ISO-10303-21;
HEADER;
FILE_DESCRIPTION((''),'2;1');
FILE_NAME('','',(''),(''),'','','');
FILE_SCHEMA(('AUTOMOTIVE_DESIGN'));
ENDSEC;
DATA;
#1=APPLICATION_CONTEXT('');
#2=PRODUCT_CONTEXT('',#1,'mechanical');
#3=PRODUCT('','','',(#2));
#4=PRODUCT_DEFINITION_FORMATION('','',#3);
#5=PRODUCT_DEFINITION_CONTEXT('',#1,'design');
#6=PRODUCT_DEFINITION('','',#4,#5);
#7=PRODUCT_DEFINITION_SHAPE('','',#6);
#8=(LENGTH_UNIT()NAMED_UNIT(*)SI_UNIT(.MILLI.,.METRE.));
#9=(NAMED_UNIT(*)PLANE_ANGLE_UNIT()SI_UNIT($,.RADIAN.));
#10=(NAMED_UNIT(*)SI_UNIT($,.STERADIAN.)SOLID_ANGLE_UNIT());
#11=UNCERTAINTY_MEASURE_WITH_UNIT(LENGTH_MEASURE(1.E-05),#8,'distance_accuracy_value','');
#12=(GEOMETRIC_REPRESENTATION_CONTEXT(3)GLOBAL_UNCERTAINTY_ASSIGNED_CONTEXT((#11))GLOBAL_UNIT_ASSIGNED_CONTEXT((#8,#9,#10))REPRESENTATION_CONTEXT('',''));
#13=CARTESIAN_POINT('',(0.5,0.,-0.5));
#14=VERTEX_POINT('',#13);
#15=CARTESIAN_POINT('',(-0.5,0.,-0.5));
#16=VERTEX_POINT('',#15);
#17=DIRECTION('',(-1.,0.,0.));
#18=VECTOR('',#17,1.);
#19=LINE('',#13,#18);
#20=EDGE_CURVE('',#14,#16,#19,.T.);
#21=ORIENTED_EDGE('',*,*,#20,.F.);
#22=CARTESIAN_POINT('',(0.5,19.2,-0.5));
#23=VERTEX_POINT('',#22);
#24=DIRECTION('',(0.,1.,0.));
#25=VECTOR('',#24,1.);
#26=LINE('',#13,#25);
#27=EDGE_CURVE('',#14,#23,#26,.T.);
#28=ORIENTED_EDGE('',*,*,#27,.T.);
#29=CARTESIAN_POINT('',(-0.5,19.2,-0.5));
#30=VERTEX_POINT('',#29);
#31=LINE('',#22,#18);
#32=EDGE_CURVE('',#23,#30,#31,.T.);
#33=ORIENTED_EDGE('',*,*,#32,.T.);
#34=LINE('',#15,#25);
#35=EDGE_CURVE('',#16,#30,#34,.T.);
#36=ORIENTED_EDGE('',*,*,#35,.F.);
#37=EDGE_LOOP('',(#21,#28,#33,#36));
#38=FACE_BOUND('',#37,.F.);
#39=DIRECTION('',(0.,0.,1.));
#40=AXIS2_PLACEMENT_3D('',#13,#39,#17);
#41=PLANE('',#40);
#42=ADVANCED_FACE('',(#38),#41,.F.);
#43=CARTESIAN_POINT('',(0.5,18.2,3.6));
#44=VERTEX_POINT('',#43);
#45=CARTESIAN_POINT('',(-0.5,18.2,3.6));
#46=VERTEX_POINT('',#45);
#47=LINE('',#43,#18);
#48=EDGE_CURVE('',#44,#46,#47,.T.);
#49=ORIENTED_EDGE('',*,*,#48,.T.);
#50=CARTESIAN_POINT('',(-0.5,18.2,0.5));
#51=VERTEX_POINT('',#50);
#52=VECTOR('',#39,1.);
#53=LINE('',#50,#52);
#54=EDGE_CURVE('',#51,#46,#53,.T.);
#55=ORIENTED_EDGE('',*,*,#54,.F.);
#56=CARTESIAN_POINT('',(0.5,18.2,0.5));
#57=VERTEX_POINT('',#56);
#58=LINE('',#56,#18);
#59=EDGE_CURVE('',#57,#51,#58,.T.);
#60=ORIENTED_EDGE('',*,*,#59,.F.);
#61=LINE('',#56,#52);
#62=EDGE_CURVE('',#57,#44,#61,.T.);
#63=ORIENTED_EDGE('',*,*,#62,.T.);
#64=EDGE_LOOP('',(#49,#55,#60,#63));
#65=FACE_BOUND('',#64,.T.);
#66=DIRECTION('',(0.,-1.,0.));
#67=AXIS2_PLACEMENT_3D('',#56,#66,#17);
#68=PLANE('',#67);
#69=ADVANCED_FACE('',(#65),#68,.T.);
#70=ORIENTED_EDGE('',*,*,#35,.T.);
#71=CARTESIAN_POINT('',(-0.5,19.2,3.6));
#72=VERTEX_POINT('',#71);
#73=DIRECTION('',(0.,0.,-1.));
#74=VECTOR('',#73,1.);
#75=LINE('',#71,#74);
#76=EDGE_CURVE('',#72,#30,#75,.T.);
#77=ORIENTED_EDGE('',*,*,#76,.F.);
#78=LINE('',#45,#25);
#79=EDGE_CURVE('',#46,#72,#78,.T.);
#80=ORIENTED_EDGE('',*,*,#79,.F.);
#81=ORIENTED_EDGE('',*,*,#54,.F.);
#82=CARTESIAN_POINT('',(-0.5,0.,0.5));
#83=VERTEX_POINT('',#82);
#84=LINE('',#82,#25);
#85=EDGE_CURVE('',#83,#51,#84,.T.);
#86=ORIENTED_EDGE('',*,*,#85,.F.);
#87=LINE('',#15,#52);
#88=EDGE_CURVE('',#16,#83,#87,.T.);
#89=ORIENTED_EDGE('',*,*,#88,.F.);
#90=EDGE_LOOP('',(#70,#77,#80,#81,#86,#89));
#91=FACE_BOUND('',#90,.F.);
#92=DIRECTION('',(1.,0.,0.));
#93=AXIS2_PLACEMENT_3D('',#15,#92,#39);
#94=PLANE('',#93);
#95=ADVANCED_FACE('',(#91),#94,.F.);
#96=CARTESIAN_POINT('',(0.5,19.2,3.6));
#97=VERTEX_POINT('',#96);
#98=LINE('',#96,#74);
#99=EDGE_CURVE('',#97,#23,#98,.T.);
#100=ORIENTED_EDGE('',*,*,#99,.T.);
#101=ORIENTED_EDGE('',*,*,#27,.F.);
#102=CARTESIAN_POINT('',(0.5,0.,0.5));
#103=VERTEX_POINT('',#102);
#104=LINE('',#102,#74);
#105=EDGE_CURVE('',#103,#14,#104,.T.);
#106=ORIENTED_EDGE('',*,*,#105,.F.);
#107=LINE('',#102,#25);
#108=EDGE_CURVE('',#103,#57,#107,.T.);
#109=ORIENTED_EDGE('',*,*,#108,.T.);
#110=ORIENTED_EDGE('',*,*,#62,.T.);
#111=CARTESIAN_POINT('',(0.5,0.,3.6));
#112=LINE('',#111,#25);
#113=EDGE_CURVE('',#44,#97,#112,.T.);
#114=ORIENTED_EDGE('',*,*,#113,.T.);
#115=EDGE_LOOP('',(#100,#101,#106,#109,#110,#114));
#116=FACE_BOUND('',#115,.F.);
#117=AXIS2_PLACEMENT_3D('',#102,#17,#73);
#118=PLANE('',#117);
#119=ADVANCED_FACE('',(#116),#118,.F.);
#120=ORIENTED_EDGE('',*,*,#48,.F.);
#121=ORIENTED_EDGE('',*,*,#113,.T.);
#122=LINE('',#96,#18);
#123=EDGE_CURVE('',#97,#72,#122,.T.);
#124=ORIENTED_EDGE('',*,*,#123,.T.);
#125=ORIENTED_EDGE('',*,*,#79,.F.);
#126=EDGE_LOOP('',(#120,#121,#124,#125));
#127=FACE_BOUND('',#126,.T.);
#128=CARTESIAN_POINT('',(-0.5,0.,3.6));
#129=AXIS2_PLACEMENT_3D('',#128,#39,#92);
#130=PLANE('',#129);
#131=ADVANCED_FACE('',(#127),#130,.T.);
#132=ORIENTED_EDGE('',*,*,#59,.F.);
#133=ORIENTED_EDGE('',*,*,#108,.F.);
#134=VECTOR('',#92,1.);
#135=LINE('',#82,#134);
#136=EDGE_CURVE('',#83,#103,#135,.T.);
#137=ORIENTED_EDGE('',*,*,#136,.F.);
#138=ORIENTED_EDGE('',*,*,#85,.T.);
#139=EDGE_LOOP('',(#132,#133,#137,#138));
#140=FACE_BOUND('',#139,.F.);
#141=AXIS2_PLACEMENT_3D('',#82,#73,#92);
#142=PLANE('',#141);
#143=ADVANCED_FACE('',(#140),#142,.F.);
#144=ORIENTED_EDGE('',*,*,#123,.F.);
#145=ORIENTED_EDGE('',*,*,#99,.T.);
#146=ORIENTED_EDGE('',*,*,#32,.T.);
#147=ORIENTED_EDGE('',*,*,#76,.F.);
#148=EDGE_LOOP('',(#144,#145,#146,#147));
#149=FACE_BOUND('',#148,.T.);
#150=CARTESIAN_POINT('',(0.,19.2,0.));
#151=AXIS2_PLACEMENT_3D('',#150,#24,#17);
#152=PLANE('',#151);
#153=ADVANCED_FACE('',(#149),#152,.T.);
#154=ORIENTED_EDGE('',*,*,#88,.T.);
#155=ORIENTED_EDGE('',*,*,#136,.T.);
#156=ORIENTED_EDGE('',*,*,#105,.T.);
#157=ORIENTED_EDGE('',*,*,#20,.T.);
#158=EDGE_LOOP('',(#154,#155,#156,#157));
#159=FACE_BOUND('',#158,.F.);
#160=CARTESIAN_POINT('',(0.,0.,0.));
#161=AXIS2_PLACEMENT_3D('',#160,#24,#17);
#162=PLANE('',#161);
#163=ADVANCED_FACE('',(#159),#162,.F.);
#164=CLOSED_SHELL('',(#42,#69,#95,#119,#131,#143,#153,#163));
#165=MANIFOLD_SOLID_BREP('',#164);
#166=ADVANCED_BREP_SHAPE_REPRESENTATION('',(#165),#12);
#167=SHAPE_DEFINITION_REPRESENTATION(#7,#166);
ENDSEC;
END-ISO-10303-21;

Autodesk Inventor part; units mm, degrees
ref_plane "YZ Plane" through (0, 0, 0) normal (1, 0, 0) x (0, 1, 0)
ref_plane "XZ Plane" through (0, 0, 0) normal (0, 1, 0) x (-1, 0, 0)
ref_plane "XY Plane" through (0, 0, 0) normal (0, 0, 1) x (1, 0, 0)
sketch "Sketch4" plane through (0, 0, 0) normal (0, 1, 0) x (-1, 0, 0)
  line L0 (0.5, 0.5) -> (-0.5, 0.5)
  line L1 (-0.5, 0.5) -> (-0.5, -0.5)
  line L2 (-0.5, -0.5) -> (0.5, -0.5)
  line L3 (0.5, -0.5) -> (0.5, 0.5)
  line L4 (0.5, 0.5) -> (-0.5, -0.5) construction
  line L5 (-0.5, 0.5) -> (0.5, -0.5) construction
  point P0 (0, 0)
  dimension "d13" = 1
  dimension "d14" = 1
extrude "Extrusion4" add sketch "Sketch4" along normal blind 19.2
sketch "Sketch5" plane through (-0.5, 0, 0.5) normal (0, 0, 1) x (1, 0, 0)
  line L0 (1, 19.2) -> (0, 19.2) projected
  line L1 (1, 0) -> (1, 19.2) projected
  line L2 (0, 19.2) -> (1, 19.2)
  line L3 (1, 19.2) -> (1, 18.2)
  line L4 (1, 18.2) -> (0, 18.2)
  line L5 (0, 18.2) -> (0, 19.2)
  point P0 (0.5, 0)
  dimension "d17" = 1
extrude "Extrusion5" add sketch "Sketch5" along normal blind 3.1
properties part number "jst-vh-2p_wire"
